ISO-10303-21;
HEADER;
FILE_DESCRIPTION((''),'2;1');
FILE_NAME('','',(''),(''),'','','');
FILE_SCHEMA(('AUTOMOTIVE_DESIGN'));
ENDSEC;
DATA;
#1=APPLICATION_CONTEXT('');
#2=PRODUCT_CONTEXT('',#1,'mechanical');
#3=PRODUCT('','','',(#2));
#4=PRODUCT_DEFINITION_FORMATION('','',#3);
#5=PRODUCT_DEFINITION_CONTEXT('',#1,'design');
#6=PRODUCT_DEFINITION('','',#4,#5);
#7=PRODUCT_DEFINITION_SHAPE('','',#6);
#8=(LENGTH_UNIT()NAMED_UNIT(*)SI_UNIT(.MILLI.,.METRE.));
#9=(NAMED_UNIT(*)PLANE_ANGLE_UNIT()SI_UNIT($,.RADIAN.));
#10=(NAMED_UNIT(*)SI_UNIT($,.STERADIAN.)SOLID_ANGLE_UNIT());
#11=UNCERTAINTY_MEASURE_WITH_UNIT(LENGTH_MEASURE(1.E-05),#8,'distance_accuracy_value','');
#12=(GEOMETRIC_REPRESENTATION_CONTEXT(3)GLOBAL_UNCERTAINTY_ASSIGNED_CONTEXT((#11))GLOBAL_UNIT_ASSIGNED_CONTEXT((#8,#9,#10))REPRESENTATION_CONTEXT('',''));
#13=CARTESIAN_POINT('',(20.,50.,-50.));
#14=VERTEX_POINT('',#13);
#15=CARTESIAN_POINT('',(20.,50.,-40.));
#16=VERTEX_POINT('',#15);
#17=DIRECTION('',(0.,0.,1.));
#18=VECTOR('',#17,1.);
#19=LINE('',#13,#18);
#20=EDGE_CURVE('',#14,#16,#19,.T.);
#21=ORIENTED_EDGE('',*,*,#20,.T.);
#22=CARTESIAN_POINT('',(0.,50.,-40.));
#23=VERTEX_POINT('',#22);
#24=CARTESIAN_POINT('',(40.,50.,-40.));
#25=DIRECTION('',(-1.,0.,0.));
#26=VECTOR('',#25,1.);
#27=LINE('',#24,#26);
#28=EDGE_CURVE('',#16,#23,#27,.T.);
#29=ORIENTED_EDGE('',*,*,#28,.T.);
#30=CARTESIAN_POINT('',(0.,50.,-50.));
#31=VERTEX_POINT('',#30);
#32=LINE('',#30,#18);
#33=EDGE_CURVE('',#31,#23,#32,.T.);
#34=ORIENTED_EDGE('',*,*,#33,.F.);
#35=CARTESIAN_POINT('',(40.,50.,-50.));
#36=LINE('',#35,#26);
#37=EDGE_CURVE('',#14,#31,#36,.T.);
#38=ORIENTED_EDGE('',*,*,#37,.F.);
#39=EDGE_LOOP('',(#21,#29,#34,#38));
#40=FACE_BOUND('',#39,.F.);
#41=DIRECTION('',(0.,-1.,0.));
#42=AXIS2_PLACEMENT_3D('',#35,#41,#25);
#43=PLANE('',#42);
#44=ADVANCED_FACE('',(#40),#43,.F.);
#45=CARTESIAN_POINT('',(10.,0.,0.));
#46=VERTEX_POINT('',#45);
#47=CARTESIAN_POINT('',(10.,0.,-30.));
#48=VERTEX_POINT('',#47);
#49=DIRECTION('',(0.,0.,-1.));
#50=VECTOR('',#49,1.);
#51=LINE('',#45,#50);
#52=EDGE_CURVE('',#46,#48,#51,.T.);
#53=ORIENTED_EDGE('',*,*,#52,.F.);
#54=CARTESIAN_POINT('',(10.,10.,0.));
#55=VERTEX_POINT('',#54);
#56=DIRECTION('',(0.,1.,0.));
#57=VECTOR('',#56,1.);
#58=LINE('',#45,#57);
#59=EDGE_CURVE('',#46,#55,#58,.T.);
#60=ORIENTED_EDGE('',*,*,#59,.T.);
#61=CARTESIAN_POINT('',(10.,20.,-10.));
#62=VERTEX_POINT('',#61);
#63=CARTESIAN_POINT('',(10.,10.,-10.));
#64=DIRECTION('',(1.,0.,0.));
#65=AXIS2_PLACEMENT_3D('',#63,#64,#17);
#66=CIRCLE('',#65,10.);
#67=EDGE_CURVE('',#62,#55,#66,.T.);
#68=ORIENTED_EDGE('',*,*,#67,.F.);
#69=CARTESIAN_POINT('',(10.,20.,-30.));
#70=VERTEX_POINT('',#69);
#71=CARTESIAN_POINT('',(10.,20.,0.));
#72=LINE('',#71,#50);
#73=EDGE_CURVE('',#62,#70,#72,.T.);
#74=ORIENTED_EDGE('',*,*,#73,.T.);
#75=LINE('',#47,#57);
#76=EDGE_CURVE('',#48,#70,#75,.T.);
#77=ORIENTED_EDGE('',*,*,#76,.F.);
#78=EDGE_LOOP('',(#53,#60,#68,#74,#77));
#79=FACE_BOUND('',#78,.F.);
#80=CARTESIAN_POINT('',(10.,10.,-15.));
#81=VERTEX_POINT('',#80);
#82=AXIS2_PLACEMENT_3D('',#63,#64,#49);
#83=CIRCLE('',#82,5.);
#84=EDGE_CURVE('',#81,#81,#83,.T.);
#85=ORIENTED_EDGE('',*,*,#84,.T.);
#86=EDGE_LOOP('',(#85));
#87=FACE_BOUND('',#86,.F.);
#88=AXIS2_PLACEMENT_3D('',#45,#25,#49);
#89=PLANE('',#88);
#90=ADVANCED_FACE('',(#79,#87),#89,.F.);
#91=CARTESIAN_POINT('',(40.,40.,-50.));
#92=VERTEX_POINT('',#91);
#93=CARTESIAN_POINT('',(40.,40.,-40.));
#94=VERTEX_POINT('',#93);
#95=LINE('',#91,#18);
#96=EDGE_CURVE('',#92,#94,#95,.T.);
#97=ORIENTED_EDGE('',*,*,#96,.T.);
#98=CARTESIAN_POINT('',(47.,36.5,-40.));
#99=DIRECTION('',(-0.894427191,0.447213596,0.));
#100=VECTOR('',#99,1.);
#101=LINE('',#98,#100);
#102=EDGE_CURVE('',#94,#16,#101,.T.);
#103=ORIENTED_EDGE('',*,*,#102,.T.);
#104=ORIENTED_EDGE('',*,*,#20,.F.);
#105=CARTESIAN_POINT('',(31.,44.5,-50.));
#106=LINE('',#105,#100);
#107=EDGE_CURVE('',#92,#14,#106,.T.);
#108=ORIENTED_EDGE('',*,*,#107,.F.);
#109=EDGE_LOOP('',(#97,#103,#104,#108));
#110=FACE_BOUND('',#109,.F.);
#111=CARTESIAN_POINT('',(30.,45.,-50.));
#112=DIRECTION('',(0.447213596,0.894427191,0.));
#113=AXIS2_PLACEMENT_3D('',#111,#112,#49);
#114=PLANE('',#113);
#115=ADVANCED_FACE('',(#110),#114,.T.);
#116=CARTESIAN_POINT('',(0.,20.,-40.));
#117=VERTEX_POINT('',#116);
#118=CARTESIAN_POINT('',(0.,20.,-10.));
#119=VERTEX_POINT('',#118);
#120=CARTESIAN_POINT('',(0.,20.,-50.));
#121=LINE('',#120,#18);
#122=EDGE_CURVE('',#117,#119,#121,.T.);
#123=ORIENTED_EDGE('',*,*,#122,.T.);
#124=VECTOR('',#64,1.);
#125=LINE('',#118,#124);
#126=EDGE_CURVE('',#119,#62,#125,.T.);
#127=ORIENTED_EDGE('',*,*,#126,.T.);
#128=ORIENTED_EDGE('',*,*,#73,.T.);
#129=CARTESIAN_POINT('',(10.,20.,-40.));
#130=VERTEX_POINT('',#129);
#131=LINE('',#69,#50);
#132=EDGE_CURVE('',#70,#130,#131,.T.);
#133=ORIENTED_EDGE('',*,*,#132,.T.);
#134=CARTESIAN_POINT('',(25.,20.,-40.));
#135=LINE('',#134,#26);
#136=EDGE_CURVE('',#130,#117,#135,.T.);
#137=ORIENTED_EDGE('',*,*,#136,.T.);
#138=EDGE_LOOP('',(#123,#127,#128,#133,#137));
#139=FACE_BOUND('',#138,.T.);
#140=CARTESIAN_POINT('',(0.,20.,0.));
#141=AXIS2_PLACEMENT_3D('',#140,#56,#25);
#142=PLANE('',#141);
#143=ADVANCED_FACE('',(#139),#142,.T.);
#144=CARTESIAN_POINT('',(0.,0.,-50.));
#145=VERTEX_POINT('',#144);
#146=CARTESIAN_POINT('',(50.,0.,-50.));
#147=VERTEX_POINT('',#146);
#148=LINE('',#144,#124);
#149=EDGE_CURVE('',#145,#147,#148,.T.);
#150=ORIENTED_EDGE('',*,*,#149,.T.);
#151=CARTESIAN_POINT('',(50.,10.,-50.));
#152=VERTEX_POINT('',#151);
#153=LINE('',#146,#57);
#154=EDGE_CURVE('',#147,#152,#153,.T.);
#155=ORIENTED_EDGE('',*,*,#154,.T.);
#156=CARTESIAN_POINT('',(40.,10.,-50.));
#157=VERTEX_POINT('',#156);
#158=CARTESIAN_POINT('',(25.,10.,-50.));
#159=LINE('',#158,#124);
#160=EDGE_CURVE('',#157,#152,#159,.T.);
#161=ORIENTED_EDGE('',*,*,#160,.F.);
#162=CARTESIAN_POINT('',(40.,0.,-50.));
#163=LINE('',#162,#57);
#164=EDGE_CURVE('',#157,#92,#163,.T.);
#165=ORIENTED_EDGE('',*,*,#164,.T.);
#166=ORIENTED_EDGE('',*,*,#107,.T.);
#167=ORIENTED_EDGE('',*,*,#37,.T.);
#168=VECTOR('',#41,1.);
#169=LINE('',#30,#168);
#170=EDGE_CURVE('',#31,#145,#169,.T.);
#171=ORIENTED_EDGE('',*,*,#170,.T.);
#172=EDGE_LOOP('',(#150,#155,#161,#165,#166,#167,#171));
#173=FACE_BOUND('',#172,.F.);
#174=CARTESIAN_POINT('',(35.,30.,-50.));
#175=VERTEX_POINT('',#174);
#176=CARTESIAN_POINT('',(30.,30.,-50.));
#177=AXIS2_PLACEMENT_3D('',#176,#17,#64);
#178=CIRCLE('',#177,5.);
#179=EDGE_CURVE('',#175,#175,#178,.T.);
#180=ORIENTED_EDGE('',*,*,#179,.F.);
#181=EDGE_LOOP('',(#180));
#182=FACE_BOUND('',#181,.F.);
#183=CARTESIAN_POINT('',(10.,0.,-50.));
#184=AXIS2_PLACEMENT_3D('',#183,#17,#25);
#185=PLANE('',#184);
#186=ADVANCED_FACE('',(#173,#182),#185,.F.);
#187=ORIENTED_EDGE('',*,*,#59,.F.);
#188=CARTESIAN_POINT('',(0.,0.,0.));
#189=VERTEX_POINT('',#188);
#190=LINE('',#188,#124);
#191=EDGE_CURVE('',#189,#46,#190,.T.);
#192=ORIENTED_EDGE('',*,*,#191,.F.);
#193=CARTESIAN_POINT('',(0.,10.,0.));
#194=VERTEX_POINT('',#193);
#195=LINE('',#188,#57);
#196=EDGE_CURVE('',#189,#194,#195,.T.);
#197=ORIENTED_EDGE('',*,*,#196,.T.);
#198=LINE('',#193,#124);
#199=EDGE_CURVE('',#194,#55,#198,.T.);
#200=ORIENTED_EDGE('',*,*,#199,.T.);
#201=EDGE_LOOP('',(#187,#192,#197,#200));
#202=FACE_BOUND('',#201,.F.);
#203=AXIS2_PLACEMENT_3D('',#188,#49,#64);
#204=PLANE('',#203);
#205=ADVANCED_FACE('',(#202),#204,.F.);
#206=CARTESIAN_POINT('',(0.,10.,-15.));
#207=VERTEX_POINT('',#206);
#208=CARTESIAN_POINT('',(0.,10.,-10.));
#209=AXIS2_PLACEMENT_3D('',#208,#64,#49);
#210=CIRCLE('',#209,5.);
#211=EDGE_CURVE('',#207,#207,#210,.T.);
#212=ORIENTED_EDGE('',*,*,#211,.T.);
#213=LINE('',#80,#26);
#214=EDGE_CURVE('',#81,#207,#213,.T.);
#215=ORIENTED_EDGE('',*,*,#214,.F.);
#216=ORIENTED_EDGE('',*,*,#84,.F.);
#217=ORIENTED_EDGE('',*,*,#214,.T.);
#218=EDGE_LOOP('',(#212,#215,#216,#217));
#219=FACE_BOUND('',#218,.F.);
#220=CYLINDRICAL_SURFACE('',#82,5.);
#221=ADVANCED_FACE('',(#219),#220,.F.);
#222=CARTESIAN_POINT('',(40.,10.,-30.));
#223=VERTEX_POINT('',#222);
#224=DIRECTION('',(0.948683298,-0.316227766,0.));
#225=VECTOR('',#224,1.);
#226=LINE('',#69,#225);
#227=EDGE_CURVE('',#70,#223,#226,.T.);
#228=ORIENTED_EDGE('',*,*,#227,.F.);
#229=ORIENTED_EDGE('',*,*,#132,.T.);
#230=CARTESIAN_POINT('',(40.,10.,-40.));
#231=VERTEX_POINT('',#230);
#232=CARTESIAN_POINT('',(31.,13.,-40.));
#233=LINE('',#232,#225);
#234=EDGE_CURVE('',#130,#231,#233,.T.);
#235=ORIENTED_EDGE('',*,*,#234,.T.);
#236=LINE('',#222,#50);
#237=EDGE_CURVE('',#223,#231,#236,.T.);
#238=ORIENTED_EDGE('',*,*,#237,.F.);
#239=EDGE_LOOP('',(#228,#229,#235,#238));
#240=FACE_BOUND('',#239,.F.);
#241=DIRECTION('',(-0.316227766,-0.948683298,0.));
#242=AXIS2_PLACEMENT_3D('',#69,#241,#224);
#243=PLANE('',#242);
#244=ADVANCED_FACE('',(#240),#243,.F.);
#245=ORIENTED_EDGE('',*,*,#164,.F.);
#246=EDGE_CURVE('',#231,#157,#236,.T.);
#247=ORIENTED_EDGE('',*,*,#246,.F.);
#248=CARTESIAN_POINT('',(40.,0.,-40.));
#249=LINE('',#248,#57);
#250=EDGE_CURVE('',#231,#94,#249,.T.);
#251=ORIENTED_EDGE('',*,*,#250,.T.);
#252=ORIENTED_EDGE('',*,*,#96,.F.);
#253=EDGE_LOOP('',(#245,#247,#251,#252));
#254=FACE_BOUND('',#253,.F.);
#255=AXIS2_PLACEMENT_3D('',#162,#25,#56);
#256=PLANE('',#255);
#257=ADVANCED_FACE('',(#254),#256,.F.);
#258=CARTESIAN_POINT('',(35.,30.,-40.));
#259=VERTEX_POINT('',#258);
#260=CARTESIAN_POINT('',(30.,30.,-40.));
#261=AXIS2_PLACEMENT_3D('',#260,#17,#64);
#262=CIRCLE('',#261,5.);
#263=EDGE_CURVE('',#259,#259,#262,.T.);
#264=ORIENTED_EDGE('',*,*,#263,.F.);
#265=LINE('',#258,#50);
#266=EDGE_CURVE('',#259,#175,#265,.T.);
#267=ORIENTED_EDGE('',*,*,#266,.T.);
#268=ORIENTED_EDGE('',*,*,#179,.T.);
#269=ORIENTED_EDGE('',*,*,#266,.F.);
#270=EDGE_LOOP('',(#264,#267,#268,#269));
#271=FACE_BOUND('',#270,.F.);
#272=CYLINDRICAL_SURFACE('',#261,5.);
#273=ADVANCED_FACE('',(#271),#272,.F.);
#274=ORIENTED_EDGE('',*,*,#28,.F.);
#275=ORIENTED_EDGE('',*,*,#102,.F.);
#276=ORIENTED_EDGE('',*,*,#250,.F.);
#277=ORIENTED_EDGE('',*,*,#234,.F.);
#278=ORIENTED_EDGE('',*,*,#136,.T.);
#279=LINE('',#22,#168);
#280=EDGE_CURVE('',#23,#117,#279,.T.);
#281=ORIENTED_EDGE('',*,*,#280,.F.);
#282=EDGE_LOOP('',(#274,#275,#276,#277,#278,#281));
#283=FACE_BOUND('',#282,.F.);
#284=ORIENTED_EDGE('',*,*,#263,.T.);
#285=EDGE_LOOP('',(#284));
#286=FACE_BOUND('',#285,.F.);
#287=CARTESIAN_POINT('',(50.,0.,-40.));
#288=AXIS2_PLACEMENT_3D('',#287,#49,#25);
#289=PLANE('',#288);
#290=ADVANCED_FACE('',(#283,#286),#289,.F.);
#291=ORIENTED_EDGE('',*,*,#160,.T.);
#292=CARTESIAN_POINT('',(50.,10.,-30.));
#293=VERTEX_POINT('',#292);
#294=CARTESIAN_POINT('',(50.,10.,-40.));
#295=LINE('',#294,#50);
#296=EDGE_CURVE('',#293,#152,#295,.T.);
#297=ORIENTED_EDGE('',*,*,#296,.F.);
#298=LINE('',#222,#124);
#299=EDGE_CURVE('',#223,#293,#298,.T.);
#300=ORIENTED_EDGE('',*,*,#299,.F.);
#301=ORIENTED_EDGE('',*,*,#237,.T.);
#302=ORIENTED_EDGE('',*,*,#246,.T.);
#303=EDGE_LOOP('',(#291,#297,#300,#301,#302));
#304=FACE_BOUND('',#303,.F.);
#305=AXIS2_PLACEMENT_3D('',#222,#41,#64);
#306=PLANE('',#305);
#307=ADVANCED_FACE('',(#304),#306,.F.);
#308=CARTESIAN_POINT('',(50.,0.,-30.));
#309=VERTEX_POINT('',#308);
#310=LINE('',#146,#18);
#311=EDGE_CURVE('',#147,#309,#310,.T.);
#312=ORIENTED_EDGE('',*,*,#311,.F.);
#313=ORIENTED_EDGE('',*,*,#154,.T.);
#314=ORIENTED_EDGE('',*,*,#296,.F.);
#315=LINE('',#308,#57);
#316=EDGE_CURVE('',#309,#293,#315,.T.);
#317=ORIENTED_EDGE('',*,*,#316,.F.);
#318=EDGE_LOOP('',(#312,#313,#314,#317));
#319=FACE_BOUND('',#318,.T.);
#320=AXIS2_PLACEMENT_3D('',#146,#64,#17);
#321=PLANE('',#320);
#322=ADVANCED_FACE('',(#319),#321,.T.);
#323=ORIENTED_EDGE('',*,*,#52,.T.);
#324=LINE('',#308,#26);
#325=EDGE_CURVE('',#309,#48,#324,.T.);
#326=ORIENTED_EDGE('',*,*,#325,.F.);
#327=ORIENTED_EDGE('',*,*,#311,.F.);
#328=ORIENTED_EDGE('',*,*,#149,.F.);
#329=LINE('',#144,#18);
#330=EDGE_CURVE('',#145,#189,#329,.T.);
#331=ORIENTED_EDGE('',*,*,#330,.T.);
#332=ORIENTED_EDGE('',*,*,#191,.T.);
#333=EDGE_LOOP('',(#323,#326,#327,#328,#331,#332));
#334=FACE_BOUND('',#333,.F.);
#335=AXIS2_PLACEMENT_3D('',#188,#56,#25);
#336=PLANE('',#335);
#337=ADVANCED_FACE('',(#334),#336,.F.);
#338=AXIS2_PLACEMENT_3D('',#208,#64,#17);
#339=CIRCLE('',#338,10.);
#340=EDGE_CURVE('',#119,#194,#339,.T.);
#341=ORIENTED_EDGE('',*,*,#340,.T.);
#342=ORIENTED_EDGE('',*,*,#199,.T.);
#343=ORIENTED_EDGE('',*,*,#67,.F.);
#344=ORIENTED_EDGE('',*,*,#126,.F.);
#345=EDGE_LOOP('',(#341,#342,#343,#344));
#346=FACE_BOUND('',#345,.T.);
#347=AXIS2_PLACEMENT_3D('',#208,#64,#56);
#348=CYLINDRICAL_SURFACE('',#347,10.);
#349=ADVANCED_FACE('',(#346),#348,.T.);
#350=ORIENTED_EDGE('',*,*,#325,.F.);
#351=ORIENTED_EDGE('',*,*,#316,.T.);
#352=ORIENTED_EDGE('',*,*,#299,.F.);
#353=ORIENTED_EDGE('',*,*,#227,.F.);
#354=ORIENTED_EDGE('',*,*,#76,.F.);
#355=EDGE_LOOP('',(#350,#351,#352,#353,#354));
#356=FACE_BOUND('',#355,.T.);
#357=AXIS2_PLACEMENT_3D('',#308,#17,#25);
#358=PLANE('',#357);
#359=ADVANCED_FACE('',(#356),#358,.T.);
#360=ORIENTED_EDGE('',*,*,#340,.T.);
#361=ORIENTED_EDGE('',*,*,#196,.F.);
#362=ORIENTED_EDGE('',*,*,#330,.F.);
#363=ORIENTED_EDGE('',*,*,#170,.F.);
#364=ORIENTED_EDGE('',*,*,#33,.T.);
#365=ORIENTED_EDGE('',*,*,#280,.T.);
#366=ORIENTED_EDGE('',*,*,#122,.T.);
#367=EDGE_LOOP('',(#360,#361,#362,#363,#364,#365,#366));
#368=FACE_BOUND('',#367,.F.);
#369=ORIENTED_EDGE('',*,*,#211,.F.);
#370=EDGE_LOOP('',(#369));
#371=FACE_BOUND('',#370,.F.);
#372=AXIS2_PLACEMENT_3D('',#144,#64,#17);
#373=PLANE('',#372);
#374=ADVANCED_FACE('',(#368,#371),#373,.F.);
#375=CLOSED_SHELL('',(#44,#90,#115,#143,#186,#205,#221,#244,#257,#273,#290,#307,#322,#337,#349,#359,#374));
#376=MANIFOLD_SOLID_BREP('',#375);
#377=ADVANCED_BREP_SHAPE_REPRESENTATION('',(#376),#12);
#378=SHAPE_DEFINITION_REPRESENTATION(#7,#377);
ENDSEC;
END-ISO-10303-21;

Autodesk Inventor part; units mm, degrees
ref_plane "YZ Plane" through (0, 0, 0) normal (1, 0, 0) x (0, 1, 0)
ref_plane "XZ Plane" through (0, 0, 0) normal (0, 1, 0) x (-1, 0, 0)
ref_plane "XY Plane" through (0, 0, 0) normal (0, 0, 1) x (1, 0, 0)
sketch "草圖1" plane through (0, 0, 0) normal (0, 1, 0) x (-1, 0, 0)
  line L0 (0, 0) -> (-10, 0)
  line L1 (-10, 0) -> (-10, -50)
  line L2 (-10, -50) -> (0, -50)
  line L3 (0, -50) -> (0, 0)
  line L4 (-10, -50) -> (-50, -50)
  line L5 (-50, -50) -> (-50, -30)
  line L6 (-50, -30) -> (-10, -30)
  line L7 (-10, -30) -> (-10, -50)
  dimension "d0" = 20
  dimension "d1" = 10
  dimension "d2" = 50
  dimension "d3" = 40
extrude "擠出1" add sketch "草圖1" along normal blind 20
sketch "草圖2" plane through (10, 0, -30) normal (0, 0, 1) x (1, 0, 0)
  line L0 (0, 0) -> (0, 20) projected
  line L1 (0, 20) -> (30, 10)
  line L2 (30, 10) -> (42.5125, 10)
  line L3 (0, 0) -> (40, 0) projected
  line L4 (0, 20) -> (41.4864, 29.1876)
  line L5 (41.4864, 29.1876) -> (42.5125, 10)
  point P0 (-10, 0)
  dimension "d6" = 10
  dimension "d7" = 30
extrude "擠出2" cut sketch "草圖2" against normal through all
sketch "草圖3" plane through (50, 0, -50) normal (0, 0, -1) x (-1, 0, 0)
  line L0 (50, 0) -> (10, 0)
  line L1 (10, 0) -> (10, 50)
  line L2 (10, 50) -> (50, 50)
  line L3 (50, 50) -> (50, 0)
  dimension "d12" = 40
  dimension "d13" = 50
extrude "擠出3" add sketch "草圖3" against normal blind 10
chamfer "倒角1" distance 10 distance2 20 1 edges at (40, 50, -45) measured on face at (40, 23.3333, -46.6667)
fillet "圓角1" radius 10 1 edges at (5, 20, 0)
sketch "草圖4" plane through (10, 0, 0) normal (1, 0, 0) x (0, 0, -1)
  circle A0 centre (10, 10) radius 5
  line L0 (0, 0) -> (30, 0) projected
  line L1 (0, 0) -> (0, 10) projected
  dimension "d20" = 10
  dimension "d21" = 10
  dimension "d22" = 10
extrude "擠出4" cut sketch "草圖4" against normal blind 10
sketch "草圖5" plane through (50, 0, -40) normal (0, 0, 1) x (1, 0, 0)
  circle A0 centre (-20, 30) radius 5
  line L0 (-10, 10) -> (-10, 40) projected
  point P0 (-50, 0)
  dimension "d25" = 10
  dimension "d26" = 10
  dimension "d27" = 10
extrude "擠出5" cut sketch "草圖5" against normal blind 10
properties part number "30"
